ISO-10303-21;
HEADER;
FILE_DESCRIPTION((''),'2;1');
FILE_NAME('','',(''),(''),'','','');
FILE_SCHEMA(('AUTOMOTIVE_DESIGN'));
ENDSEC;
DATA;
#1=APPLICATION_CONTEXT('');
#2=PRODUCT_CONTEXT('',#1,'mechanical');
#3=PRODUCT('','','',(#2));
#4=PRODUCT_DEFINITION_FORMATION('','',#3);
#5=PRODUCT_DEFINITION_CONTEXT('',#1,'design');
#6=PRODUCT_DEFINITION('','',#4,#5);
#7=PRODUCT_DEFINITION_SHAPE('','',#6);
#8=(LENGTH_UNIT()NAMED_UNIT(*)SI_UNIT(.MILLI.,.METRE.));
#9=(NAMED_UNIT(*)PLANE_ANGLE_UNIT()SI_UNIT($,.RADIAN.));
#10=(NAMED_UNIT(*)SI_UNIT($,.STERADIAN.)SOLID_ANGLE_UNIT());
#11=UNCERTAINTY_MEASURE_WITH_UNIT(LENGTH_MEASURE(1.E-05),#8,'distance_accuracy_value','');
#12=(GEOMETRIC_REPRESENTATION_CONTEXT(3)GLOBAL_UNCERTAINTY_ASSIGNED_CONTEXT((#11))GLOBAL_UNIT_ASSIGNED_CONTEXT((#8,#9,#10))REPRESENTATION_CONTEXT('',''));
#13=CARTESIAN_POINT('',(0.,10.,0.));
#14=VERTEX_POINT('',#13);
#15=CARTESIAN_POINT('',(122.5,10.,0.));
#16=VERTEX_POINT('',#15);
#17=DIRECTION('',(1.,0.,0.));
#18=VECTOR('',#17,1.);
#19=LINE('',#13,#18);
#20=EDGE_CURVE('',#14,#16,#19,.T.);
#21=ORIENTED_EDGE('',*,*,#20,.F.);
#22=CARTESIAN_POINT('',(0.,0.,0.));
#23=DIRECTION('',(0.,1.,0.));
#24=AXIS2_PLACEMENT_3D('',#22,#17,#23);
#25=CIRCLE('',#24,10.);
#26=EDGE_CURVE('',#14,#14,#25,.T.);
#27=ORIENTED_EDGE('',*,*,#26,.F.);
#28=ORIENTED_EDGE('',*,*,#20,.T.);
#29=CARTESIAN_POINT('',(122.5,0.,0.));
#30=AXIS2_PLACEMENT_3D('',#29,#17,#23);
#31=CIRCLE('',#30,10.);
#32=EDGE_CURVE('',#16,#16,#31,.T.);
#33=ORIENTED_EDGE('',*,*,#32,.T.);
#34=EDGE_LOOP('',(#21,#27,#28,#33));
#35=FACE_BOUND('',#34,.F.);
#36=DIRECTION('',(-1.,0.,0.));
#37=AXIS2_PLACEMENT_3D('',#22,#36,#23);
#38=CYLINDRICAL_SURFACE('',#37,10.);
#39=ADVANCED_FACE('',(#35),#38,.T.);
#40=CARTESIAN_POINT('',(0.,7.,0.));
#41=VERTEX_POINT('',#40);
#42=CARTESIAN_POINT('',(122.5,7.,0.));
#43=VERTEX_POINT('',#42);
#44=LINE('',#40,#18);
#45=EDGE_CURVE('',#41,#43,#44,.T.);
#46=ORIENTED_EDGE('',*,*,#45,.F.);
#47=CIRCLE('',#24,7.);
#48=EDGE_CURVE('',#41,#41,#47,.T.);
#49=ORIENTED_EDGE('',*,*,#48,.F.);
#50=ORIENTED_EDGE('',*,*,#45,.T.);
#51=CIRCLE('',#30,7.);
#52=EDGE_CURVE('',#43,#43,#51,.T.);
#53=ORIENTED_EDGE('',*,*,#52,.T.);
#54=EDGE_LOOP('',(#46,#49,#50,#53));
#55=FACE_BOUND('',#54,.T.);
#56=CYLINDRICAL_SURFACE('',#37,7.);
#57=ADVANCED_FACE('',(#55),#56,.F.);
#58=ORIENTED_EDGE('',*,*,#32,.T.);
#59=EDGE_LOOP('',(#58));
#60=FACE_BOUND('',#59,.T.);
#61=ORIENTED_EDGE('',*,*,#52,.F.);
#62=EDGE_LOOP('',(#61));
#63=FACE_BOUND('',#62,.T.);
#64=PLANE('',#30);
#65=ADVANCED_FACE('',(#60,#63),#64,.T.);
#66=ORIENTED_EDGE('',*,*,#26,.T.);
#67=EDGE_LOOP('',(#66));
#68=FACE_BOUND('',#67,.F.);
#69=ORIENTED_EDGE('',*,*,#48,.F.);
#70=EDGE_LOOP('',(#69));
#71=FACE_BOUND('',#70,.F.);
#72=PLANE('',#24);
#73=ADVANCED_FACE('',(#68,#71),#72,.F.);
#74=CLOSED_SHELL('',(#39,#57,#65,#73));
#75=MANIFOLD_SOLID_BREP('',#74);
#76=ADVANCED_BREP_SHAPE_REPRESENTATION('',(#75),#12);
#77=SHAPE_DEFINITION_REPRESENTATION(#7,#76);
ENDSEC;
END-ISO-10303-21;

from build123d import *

# Parameters (mm, degrees)
F0_R     = 10
F0_R_2   = 7
F1_DEPTH = 122.5


with BuildPart() as f1:
    # F0 (on Right) → F1 (new body)
    with BuildSketch(Plane.YZ):
        Circle(F0_R)
        Circle(F0_R_2, mode=Mode.SUBTRACT)
    extrude(amount=F1_DEPTH)


solid = f1.part
